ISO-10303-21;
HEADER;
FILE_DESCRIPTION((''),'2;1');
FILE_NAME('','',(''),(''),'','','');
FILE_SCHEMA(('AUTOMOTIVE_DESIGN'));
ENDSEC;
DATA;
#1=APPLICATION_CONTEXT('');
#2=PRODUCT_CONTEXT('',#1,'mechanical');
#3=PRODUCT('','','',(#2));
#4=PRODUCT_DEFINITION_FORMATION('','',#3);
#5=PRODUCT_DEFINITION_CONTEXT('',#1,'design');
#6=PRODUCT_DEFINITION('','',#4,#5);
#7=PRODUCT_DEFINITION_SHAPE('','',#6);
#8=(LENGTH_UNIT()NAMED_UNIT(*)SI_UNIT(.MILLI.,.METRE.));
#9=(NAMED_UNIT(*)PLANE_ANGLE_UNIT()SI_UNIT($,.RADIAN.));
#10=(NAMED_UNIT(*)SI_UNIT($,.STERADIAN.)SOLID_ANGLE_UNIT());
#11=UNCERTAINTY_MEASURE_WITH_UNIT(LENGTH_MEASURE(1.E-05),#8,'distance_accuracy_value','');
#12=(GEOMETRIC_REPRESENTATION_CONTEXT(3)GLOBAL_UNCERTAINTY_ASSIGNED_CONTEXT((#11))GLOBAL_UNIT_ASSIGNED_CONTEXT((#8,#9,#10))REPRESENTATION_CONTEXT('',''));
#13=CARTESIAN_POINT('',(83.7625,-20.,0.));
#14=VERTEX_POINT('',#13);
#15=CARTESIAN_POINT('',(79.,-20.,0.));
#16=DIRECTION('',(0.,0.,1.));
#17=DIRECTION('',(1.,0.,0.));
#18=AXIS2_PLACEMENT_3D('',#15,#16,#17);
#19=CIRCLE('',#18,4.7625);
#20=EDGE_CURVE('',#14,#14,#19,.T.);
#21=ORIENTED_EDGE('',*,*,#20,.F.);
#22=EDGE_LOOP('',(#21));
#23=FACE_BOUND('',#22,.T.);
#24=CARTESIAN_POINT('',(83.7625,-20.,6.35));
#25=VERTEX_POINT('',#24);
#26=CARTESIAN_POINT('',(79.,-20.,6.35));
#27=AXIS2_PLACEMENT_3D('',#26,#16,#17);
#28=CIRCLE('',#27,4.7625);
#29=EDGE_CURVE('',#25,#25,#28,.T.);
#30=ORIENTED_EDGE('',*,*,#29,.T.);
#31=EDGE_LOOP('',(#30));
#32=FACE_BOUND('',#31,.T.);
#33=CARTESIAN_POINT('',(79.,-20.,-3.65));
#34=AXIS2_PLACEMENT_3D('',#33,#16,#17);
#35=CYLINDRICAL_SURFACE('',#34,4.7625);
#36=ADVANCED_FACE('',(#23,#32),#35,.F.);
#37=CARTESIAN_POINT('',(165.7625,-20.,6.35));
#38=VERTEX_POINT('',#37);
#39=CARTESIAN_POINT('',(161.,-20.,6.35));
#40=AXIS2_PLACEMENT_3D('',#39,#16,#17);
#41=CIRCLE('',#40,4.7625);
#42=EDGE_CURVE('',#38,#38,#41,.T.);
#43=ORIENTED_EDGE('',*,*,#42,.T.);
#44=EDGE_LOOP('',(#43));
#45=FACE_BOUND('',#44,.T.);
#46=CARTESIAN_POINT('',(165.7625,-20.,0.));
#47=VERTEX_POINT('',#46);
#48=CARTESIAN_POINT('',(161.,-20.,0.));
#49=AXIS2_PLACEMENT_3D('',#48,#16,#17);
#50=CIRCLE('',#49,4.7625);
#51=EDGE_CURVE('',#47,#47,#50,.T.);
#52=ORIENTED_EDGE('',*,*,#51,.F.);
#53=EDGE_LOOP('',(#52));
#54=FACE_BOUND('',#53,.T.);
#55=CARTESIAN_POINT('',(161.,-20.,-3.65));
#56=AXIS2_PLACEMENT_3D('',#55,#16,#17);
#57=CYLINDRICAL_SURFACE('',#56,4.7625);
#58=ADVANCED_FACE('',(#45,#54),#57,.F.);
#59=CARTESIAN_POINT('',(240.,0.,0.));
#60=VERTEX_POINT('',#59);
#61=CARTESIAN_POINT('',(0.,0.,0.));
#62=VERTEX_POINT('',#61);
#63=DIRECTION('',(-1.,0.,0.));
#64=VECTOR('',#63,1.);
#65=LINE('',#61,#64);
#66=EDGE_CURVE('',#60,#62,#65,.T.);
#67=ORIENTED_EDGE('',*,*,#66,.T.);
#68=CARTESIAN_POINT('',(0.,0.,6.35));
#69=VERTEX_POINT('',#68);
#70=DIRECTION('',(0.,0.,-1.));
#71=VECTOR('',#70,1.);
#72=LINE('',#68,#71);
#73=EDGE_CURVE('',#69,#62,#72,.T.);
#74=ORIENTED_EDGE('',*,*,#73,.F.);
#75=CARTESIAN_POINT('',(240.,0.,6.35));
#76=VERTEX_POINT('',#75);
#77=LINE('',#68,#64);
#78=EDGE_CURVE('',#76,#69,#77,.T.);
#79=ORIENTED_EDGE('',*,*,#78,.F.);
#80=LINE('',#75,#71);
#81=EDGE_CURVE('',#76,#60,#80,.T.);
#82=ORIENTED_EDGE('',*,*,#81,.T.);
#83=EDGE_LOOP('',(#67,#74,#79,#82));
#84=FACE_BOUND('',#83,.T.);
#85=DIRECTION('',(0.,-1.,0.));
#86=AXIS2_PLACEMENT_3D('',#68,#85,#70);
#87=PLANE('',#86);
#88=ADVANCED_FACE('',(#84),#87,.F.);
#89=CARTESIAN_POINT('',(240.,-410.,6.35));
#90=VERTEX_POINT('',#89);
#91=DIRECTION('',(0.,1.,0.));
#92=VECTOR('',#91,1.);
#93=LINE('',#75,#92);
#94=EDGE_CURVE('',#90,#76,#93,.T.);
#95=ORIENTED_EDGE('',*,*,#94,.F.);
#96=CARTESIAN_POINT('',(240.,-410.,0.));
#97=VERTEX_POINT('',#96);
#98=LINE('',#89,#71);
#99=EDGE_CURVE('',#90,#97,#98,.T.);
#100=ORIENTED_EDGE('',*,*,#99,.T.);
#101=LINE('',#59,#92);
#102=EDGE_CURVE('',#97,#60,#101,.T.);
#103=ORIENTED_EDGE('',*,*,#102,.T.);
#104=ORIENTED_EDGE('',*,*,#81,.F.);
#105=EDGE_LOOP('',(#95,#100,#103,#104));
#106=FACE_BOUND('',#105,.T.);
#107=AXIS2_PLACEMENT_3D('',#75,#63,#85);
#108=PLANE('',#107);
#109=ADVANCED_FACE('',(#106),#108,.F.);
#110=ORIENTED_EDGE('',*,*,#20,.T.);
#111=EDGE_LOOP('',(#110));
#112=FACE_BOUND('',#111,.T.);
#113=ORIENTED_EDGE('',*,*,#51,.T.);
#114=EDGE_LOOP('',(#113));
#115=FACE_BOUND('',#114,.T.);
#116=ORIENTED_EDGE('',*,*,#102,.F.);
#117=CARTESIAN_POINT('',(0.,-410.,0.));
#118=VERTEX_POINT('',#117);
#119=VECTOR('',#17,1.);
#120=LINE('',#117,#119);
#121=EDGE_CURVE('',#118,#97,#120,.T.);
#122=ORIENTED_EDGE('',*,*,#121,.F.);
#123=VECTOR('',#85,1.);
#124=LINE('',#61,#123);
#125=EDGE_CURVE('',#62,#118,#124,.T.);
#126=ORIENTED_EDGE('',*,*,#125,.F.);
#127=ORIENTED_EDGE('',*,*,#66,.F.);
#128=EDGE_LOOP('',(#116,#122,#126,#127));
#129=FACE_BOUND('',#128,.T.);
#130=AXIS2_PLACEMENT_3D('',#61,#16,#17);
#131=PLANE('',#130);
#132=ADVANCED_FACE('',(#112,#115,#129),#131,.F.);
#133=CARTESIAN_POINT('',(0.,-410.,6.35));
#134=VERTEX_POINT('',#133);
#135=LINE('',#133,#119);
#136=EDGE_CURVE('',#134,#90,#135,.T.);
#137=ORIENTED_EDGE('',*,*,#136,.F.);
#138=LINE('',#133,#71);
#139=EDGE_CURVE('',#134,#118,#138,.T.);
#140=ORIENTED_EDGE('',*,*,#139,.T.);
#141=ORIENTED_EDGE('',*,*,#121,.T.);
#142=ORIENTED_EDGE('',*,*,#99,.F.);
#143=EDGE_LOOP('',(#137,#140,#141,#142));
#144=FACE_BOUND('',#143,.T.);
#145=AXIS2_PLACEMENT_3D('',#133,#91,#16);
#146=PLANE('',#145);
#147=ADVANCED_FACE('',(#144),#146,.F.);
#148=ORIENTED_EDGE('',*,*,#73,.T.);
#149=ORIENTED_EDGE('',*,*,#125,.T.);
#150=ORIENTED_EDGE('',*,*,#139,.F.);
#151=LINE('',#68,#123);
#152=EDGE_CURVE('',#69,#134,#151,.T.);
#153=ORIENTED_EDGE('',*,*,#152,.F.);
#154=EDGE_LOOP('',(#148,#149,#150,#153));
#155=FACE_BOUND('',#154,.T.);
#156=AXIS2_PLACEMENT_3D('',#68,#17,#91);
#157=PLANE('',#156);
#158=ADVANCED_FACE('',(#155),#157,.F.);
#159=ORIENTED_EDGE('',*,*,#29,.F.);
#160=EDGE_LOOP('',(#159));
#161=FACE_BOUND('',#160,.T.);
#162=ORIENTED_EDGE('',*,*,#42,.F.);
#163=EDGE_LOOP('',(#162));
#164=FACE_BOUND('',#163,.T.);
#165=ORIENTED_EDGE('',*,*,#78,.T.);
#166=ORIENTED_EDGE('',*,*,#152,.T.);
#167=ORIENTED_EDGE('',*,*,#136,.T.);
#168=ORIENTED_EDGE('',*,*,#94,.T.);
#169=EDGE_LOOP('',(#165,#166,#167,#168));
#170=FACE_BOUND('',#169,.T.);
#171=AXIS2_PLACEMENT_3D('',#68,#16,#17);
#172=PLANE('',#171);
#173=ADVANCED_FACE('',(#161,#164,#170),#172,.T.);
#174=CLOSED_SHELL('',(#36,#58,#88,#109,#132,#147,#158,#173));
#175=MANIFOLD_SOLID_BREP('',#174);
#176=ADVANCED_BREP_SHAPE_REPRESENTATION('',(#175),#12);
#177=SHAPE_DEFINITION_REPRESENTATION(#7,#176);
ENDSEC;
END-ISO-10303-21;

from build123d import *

# Parameters (mm, degrees)
CROQUIS1_W              = 240
CROQUIS1_H              = 410
SALIENTE_EXTRUIR1_DEPTH = 6.35
CROQUIS2_R              = 4.7625
CORTAR_EXTRUIR1_DEPTH   = 10


with BuildPart() as part:
    # Croquis1 → Saliente-Extruir1 (new body)
    with BuildSketch(Plane.XY):
        with Locations((120, -205)):
            Rectangle(CROQUIS1_W, CROQUIS1_H)
    extrude(amount=SALIENTE_EXTRUIR1_DEPTH)

    # Croquis2 → Cortar-Extruir1 (cut)
    with BuildSketch(Plane.XY.offset(6.35)):
        with Locations((161, -20)):
            Circle(CROQUIS2_R)
        with Locations((79, -20)):
            Circle(CROQUIS2_R)
    extrude(amount=-CORTAR_EXTRUIR1_DEPTH, mode=Mode.SUBTRACT)


solid = part.part
